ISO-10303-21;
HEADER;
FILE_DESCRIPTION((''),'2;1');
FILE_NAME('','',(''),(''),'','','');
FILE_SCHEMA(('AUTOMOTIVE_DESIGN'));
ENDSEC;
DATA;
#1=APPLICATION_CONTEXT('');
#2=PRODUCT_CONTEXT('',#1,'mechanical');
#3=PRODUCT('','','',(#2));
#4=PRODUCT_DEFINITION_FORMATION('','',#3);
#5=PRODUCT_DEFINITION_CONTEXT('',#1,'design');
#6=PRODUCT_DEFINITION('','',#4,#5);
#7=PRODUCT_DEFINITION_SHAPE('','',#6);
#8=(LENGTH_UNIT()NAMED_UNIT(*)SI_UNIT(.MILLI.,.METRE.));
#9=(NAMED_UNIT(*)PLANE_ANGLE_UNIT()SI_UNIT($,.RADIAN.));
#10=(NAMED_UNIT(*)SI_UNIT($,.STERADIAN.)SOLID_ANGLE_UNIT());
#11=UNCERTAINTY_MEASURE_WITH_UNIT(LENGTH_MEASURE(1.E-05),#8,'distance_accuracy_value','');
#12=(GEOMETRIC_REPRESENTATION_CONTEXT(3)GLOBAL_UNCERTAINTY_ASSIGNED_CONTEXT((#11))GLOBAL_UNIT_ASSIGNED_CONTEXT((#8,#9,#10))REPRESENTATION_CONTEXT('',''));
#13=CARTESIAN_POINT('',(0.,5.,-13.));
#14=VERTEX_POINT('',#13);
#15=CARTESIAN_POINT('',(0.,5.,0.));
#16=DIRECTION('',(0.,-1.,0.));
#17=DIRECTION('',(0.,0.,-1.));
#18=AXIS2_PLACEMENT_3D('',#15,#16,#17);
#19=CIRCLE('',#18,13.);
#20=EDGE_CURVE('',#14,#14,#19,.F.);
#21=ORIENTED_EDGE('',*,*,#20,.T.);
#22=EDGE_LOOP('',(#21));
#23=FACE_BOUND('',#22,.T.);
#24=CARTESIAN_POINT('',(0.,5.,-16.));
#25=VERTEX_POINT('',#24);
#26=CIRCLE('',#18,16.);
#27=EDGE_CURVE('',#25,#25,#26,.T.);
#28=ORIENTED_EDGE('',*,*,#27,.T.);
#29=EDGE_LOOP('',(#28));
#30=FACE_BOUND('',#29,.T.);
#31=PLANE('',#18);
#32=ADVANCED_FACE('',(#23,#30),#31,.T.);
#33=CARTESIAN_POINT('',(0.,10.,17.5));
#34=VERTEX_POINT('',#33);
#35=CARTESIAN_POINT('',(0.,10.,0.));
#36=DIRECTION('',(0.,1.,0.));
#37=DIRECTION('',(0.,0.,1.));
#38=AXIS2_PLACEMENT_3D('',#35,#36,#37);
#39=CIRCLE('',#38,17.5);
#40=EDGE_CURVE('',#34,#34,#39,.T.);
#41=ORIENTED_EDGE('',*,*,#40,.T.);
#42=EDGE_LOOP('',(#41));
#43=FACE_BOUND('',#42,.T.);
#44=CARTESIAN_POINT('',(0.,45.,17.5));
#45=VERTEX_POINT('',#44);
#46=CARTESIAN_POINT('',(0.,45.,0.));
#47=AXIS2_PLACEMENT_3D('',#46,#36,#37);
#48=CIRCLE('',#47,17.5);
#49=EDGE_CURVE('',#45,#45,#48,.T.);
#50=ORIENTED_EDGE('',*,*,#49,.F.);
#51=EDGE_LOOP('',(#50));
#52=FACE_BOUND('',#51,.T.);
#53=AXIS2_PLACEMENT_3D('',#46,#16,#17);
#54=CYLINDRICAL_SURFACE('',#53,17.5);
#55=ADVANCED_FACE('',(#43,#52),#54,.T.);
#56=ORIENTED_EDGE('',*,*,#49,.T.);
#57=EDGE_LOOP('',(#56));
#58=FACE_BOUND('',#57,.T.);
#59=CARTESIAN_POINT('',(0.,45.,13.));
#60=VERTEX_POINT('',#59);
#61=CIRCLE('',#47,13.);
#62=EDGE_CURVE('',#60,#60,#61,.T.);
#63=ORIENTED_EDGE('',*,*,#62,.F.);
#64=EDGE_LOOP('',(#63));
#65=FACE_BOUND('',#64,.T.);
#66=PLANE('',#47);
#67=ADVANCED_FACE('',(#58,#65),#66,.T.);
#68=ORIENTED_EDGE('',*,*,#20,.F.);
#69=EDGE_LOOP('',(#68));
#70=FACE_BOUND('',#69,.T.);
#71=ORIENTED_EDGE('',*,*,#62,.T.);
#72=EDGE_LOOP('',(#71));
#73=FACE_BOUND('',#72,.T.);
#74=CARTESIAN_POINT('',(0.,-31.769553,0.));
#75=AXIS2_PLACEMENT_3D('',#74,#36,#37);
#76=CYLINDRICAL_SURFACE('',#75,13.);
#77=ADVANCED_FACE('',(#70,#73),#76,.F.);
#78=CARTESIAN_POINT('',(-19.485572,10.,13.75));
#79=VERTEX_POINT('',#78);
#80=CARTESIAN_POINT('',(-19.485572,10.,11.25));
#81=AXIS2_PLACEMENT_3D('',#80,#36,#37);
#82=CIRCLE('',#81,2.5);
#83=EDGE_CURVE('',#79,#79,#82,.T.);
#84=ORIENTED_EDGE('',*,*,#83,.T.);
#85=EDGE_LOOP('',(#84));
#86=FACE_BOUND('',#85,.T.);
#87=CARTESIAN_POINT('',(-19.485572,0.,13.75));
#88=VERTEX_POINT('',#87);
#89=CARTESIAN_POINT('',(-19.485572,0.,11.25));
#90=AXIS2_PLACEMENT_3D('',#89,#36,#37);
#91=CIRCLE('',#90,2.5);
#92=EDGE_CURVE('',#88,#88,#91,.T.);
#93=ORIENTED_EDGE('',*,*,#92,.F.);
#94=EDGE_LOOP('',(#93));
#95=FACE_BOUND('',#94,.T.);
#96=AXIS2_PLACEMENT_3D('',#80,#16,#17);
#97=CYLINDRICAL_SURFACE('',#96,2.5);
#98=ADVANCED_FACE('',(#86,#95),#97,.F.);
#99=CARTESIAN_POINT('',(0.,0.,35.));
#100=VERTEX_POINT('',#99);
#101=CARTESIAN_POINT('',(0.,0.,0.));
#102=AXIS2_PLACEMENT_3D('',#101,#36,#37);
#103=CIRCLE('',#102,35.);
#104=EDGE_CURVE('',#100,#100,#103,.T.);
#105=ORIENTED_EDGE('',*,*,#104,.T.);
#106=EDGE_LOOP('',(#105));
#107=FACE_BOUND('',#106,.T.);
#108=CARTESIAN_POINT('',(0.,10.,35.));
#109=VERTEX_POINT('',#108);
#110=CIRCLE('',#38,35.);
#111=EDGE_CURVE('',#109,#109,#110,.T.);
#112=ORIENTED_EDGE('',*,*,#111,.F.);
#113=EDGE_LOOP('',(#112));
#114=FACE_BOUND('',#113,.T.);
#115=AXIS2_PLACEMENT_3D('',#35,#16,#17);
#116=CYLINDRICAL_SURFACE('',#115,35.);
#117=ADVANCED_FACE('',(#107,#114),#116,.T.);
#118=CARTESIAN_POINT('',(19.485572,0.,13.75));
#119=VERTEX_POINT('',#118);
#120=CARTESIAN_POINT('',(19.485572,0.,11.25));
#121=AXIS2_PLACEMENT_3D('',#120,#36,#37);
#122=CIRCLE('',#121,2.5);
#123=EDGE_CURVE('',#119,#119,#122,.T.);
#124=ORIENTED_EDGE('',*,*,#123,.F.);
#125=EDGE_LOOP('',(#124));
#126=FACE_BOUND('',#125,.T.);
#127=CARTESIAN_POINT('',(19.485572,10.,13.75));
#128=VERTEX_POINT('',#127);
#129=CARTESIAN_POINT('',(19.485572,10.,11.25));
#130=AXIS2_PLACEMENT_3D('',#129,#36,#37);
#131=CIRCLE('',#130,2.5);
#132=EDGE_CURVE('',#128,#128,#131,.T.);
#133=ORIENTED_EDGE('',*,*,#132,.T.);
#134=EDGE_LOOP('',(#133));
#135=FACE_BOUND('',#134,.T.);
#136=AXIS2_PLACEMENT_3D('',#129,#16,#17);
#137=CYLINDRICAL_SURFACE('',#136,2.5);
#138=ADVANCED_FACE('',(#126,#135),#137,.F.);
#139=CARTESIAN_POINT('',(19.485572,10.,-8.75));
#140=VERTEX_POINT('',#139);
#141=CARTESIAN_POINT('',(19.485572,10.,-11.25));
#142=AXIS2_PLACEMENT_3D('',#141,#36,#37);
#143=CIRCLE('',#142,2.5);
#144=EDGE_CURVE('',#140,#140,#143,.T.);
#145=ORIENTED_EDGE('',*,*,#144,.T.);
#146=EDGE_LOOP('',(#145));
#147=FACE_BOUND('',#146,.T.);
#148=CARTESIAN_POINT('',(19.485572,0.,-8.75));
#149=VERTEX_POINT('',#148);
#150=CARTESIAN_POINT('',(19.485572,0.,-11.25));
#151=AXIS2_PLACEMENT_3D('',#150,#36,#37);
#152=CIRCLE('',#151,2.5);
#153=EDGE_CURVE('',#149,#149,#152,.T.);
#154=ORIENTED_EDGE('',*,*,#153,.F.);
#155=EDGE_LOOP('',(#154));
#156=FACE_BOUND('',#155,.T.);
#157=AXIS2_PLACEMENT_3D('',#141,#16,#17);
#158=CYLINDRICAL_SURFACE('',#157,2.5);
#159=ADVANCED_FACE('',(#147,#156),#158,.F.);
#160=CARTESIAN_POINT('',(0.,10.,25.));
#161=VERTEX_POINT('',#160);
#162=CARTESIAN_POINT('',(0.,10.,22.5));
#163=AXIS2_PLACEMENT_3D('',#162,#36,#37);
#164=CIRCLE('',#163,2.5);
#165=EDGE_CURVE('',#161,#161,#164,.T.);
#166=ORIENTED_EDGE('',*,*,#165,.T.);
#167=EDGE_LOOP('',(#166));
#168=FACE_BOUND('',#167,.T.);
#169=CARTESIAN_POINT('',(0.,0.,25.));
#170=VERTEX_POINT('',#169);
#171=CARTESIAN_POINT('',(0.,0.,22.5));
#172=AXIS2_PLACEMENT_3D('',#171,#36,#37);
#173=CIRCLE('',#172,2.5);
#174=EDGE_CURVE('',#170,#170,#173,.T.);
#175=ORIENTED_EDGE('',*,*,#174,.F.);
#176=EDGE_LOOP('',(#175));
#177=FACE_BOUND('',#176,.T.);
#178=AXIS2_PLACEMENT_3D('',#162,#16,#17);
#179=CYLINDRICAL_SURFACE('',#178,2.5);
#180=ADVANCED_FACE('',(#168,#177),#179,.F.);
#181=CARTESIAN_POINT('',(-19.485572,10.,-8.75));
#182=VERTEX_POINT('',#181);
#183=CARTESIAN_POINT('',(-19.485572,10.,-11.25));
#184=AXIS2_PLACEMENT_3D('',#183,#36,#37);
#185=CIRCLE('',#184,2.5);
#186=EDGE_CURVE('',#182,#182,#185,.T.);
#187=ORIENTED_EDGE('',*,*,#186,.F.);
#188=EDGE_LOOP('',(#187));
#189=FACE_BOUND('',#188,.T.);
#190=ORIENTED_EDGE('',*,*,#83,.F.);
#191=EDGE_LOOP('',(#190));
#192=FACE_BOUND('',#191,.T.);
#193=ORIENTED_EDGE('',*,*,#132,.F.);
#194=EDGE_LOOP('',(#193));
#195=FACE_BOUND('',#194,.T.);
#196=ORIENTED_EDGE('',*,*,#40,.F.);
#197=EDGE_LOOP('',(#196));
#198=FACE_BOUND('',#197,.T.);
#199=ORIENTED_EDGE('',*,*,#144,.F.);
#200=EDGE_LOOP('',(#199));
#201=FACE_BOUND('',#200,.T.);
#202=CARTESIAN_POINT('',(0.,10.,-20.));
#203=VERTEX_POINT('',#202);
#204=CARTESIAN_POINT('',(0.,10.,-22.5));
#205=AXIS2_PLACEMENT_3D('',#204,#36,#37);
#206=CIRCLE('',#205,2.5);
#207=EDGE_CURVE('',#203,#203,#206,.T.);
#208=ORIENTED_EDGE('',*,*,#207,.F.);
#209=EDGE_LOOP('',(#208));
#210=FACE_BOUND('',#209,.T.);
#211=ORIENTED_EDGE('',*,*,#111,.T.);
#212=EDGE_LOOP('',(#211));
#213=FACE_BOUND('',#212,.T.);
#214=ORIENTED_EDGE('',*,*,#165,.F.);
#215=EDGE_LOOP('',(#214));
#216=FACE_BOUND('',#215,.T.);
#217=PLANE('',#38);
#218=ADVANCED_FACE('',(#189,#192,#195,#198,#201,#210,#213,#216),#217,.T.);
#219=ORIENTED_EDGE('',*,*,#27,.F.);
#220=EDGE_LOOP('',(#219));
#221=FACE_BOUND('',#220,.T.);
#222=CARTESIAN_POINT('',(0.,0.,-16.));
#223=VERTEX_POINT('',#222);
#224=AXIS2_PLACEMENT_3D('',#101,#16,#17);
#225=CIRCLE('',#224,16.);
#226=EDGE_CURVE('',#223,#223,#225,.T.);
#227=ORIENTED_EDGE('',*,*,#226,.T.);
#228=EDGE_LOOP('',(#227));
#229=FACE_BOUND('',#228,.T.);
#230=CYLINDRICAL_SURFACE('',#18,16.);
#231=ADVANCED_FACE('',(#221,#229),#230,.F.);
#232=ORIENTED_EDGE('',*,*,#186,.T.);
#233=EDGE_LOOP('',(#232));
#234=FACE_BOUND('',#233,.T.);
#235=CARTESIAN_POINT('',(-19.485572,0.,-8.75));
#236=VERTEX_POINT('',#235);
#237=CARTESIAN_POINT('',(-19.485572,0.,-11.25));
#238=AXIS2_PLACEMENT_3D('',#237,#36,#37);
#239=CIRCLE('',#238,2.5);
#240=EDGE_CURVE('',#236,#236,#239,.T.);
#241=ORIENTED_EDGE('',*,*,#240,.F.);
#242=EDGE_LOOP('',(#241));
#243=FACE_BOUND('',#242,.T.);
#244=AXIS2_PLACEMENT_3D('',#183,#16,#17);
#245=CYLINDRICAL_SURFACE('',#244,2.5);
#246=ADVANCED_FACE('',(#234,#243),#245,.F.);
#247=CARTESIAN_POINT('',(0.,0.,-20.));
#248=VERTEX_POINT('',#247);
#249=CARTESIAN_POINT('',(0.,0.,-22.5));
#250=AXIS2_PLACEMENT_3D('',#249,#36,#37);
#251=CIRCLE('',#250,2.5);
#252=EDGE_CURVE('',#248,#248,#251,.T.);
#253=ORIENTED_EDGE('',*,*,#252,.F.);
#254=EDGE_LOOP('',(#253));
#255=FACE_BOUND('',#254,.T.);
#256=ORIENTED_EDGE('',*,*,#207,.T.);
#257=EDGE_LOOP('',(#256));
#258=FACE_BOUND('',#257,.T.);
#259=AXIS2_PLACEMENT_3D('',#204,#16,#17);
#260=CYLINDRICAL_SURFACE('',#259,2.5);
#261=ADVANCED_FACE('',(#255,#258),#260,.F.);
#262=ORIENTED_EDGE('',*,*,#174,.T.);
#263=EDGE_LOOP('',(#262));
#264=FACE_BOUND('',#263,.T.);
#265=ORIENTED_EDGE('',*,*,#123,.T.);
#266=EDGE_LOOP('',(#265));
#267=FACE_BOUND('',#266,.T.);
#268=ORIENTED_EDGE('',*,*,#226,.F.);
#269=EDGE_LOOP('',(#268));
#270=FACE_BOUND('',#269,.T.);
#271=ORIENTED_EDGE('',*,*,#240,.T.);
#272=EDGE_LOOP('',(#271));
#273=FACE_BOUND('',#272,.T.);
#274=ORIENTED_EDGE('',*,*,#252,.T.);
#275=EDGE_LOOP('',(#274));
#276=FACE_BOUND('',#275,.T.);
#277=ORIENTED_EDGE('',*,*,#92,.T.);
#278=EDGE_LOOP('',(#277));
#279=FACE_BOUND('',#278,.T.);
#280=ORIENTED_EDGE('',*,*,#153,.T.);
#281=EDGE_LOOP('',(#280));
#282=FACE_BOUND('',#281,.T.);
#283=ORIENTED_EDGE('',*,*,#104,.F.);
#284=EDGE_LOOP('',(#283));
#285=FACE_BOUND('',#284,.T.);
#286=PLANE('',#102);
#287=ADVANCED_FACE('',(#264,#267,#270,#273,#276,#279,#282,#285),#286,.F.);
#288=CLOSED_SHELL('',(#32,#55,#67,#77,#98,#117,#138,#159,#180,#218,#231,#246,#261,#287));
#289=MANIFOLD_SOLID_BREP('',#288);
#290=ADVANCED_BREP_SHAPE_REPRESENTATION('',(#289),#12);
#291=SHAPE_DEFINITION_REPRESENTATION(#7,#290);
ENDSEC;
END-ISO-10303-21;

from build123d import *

# Parameters (mm, degrees)
SKETCH1_R           = 35
SKETCH1_R_2         = 5
SKETCH1_R_3         = 2.5
BOSS_EXTRUDE1_DEPTH = 10
SKETCH2_R           = 16
CUT_EXTRUDE1_DEPTH  = 5
SKETCH5_R           = 13
CUT_EXTRUDE2_DEPTH  = 5
BOSS_EXTRUDE2_START = 35
SKETCH6_R           = 17.5
SKETCH6_R_2         = 13
BOSS_EXTRUDE2_DEPTH = 35


with BuildPart() as part:
    # Sketch1 → Boss-Extrude1 (new body)
    with BuildSketch(Plane(origin=(0, 0, 0), x_dir=(1, 0, 0), z_dir=(0, 1, 0))):
        with Locations(Location((0, 0, 0), (0, 0, 270))):
            Circle(SKETCH1_R)
        with Locations(Location((0, 0, 0), (0, 0, 270))):
            Circle(SKETCH1_R_2, mode=Mode.SUBTRACT)
        with Locations(Location((0, 22.5, 0), (0, 0, 270))):
            Circle(SKETCH1_R_3, mode=Mode.SUBTRACT)
        with Locations(Location((19.485571585, 11.25, 0), (0, 0, 270))):
            Circle(SKETCH1_R_3, mode=Mode.SUBTRACT)
        with Locations(Location((19.485571585, -11.25, 0), (0, 0, 270))):
            Circle(SKETCH1_R_3, mode=Mode.SUBTRACT)
        with Locations(Location((0, -22.5, 0), (0, 0, 270))):
            Circle(SKETCH1_R_3, mode=Mode.SUBTRACT)
        with Locations(Location((-19.485571585, -11.25, 0), (0, 0, 270))):
            Circle(SKETCH1_R_3, mode=Mode.SUBTRACT)
        with Locations(Location((-19.485571585, 11.25, 0), (0, 0, 270))):
            Circle(SKETCH1_R_3, mode=Mode.SUBTRACT)
    extrude(amount=BOSS_EXTRUDE1_DEPTH)

    # Sketch2 → Cut-Extrude1 (cut)
    with BuildSketch(Plane.XZ):
        with Locations(Location((0, 0, 0), (0, 0, 270))):
            Circle(SKETCH2_R)
    extrude(amount=-CUT_EXTRUDE1_DEPTH, mode=Mode.SUBTRACT)

    # Sketch5 → Cut-Extrude2 (cut)
    with BuildSketch(Plane(origin=(0, 10, 0), x_dir=(1, 0, 0), z_dir=(0, 1, 0))):
        with Locations(Location((0, 0, 0), (0, 0, 270))):
            Circle(SKETCH5_R)
    extrude(amount=-CUT_EXTRUDE2_DEPTH, mode=Mode.SUBTRACT)

    # Sketch6 → Boss-Extrude2 (add)
    with BuildSketch(Plane(origin=(0, 10, 0), x_dir=(1, 0, 0), z_dir=(0, 1, 0)).offset(BOSS_EXTRUDE2_START)):
        with Locations(Location((0, 0, 0), (0, 0, 270))):
            Circle(SKETCH6_R)
        with Locations(Location((0, 0, 0), (0, 0, 270))):
            Circle(SKETCH6_R_2, mode=Mode.SUBTRACT)
    extrude(amount=-BOSS_EXTRUDE2_DEPTH)


solid = part.part
